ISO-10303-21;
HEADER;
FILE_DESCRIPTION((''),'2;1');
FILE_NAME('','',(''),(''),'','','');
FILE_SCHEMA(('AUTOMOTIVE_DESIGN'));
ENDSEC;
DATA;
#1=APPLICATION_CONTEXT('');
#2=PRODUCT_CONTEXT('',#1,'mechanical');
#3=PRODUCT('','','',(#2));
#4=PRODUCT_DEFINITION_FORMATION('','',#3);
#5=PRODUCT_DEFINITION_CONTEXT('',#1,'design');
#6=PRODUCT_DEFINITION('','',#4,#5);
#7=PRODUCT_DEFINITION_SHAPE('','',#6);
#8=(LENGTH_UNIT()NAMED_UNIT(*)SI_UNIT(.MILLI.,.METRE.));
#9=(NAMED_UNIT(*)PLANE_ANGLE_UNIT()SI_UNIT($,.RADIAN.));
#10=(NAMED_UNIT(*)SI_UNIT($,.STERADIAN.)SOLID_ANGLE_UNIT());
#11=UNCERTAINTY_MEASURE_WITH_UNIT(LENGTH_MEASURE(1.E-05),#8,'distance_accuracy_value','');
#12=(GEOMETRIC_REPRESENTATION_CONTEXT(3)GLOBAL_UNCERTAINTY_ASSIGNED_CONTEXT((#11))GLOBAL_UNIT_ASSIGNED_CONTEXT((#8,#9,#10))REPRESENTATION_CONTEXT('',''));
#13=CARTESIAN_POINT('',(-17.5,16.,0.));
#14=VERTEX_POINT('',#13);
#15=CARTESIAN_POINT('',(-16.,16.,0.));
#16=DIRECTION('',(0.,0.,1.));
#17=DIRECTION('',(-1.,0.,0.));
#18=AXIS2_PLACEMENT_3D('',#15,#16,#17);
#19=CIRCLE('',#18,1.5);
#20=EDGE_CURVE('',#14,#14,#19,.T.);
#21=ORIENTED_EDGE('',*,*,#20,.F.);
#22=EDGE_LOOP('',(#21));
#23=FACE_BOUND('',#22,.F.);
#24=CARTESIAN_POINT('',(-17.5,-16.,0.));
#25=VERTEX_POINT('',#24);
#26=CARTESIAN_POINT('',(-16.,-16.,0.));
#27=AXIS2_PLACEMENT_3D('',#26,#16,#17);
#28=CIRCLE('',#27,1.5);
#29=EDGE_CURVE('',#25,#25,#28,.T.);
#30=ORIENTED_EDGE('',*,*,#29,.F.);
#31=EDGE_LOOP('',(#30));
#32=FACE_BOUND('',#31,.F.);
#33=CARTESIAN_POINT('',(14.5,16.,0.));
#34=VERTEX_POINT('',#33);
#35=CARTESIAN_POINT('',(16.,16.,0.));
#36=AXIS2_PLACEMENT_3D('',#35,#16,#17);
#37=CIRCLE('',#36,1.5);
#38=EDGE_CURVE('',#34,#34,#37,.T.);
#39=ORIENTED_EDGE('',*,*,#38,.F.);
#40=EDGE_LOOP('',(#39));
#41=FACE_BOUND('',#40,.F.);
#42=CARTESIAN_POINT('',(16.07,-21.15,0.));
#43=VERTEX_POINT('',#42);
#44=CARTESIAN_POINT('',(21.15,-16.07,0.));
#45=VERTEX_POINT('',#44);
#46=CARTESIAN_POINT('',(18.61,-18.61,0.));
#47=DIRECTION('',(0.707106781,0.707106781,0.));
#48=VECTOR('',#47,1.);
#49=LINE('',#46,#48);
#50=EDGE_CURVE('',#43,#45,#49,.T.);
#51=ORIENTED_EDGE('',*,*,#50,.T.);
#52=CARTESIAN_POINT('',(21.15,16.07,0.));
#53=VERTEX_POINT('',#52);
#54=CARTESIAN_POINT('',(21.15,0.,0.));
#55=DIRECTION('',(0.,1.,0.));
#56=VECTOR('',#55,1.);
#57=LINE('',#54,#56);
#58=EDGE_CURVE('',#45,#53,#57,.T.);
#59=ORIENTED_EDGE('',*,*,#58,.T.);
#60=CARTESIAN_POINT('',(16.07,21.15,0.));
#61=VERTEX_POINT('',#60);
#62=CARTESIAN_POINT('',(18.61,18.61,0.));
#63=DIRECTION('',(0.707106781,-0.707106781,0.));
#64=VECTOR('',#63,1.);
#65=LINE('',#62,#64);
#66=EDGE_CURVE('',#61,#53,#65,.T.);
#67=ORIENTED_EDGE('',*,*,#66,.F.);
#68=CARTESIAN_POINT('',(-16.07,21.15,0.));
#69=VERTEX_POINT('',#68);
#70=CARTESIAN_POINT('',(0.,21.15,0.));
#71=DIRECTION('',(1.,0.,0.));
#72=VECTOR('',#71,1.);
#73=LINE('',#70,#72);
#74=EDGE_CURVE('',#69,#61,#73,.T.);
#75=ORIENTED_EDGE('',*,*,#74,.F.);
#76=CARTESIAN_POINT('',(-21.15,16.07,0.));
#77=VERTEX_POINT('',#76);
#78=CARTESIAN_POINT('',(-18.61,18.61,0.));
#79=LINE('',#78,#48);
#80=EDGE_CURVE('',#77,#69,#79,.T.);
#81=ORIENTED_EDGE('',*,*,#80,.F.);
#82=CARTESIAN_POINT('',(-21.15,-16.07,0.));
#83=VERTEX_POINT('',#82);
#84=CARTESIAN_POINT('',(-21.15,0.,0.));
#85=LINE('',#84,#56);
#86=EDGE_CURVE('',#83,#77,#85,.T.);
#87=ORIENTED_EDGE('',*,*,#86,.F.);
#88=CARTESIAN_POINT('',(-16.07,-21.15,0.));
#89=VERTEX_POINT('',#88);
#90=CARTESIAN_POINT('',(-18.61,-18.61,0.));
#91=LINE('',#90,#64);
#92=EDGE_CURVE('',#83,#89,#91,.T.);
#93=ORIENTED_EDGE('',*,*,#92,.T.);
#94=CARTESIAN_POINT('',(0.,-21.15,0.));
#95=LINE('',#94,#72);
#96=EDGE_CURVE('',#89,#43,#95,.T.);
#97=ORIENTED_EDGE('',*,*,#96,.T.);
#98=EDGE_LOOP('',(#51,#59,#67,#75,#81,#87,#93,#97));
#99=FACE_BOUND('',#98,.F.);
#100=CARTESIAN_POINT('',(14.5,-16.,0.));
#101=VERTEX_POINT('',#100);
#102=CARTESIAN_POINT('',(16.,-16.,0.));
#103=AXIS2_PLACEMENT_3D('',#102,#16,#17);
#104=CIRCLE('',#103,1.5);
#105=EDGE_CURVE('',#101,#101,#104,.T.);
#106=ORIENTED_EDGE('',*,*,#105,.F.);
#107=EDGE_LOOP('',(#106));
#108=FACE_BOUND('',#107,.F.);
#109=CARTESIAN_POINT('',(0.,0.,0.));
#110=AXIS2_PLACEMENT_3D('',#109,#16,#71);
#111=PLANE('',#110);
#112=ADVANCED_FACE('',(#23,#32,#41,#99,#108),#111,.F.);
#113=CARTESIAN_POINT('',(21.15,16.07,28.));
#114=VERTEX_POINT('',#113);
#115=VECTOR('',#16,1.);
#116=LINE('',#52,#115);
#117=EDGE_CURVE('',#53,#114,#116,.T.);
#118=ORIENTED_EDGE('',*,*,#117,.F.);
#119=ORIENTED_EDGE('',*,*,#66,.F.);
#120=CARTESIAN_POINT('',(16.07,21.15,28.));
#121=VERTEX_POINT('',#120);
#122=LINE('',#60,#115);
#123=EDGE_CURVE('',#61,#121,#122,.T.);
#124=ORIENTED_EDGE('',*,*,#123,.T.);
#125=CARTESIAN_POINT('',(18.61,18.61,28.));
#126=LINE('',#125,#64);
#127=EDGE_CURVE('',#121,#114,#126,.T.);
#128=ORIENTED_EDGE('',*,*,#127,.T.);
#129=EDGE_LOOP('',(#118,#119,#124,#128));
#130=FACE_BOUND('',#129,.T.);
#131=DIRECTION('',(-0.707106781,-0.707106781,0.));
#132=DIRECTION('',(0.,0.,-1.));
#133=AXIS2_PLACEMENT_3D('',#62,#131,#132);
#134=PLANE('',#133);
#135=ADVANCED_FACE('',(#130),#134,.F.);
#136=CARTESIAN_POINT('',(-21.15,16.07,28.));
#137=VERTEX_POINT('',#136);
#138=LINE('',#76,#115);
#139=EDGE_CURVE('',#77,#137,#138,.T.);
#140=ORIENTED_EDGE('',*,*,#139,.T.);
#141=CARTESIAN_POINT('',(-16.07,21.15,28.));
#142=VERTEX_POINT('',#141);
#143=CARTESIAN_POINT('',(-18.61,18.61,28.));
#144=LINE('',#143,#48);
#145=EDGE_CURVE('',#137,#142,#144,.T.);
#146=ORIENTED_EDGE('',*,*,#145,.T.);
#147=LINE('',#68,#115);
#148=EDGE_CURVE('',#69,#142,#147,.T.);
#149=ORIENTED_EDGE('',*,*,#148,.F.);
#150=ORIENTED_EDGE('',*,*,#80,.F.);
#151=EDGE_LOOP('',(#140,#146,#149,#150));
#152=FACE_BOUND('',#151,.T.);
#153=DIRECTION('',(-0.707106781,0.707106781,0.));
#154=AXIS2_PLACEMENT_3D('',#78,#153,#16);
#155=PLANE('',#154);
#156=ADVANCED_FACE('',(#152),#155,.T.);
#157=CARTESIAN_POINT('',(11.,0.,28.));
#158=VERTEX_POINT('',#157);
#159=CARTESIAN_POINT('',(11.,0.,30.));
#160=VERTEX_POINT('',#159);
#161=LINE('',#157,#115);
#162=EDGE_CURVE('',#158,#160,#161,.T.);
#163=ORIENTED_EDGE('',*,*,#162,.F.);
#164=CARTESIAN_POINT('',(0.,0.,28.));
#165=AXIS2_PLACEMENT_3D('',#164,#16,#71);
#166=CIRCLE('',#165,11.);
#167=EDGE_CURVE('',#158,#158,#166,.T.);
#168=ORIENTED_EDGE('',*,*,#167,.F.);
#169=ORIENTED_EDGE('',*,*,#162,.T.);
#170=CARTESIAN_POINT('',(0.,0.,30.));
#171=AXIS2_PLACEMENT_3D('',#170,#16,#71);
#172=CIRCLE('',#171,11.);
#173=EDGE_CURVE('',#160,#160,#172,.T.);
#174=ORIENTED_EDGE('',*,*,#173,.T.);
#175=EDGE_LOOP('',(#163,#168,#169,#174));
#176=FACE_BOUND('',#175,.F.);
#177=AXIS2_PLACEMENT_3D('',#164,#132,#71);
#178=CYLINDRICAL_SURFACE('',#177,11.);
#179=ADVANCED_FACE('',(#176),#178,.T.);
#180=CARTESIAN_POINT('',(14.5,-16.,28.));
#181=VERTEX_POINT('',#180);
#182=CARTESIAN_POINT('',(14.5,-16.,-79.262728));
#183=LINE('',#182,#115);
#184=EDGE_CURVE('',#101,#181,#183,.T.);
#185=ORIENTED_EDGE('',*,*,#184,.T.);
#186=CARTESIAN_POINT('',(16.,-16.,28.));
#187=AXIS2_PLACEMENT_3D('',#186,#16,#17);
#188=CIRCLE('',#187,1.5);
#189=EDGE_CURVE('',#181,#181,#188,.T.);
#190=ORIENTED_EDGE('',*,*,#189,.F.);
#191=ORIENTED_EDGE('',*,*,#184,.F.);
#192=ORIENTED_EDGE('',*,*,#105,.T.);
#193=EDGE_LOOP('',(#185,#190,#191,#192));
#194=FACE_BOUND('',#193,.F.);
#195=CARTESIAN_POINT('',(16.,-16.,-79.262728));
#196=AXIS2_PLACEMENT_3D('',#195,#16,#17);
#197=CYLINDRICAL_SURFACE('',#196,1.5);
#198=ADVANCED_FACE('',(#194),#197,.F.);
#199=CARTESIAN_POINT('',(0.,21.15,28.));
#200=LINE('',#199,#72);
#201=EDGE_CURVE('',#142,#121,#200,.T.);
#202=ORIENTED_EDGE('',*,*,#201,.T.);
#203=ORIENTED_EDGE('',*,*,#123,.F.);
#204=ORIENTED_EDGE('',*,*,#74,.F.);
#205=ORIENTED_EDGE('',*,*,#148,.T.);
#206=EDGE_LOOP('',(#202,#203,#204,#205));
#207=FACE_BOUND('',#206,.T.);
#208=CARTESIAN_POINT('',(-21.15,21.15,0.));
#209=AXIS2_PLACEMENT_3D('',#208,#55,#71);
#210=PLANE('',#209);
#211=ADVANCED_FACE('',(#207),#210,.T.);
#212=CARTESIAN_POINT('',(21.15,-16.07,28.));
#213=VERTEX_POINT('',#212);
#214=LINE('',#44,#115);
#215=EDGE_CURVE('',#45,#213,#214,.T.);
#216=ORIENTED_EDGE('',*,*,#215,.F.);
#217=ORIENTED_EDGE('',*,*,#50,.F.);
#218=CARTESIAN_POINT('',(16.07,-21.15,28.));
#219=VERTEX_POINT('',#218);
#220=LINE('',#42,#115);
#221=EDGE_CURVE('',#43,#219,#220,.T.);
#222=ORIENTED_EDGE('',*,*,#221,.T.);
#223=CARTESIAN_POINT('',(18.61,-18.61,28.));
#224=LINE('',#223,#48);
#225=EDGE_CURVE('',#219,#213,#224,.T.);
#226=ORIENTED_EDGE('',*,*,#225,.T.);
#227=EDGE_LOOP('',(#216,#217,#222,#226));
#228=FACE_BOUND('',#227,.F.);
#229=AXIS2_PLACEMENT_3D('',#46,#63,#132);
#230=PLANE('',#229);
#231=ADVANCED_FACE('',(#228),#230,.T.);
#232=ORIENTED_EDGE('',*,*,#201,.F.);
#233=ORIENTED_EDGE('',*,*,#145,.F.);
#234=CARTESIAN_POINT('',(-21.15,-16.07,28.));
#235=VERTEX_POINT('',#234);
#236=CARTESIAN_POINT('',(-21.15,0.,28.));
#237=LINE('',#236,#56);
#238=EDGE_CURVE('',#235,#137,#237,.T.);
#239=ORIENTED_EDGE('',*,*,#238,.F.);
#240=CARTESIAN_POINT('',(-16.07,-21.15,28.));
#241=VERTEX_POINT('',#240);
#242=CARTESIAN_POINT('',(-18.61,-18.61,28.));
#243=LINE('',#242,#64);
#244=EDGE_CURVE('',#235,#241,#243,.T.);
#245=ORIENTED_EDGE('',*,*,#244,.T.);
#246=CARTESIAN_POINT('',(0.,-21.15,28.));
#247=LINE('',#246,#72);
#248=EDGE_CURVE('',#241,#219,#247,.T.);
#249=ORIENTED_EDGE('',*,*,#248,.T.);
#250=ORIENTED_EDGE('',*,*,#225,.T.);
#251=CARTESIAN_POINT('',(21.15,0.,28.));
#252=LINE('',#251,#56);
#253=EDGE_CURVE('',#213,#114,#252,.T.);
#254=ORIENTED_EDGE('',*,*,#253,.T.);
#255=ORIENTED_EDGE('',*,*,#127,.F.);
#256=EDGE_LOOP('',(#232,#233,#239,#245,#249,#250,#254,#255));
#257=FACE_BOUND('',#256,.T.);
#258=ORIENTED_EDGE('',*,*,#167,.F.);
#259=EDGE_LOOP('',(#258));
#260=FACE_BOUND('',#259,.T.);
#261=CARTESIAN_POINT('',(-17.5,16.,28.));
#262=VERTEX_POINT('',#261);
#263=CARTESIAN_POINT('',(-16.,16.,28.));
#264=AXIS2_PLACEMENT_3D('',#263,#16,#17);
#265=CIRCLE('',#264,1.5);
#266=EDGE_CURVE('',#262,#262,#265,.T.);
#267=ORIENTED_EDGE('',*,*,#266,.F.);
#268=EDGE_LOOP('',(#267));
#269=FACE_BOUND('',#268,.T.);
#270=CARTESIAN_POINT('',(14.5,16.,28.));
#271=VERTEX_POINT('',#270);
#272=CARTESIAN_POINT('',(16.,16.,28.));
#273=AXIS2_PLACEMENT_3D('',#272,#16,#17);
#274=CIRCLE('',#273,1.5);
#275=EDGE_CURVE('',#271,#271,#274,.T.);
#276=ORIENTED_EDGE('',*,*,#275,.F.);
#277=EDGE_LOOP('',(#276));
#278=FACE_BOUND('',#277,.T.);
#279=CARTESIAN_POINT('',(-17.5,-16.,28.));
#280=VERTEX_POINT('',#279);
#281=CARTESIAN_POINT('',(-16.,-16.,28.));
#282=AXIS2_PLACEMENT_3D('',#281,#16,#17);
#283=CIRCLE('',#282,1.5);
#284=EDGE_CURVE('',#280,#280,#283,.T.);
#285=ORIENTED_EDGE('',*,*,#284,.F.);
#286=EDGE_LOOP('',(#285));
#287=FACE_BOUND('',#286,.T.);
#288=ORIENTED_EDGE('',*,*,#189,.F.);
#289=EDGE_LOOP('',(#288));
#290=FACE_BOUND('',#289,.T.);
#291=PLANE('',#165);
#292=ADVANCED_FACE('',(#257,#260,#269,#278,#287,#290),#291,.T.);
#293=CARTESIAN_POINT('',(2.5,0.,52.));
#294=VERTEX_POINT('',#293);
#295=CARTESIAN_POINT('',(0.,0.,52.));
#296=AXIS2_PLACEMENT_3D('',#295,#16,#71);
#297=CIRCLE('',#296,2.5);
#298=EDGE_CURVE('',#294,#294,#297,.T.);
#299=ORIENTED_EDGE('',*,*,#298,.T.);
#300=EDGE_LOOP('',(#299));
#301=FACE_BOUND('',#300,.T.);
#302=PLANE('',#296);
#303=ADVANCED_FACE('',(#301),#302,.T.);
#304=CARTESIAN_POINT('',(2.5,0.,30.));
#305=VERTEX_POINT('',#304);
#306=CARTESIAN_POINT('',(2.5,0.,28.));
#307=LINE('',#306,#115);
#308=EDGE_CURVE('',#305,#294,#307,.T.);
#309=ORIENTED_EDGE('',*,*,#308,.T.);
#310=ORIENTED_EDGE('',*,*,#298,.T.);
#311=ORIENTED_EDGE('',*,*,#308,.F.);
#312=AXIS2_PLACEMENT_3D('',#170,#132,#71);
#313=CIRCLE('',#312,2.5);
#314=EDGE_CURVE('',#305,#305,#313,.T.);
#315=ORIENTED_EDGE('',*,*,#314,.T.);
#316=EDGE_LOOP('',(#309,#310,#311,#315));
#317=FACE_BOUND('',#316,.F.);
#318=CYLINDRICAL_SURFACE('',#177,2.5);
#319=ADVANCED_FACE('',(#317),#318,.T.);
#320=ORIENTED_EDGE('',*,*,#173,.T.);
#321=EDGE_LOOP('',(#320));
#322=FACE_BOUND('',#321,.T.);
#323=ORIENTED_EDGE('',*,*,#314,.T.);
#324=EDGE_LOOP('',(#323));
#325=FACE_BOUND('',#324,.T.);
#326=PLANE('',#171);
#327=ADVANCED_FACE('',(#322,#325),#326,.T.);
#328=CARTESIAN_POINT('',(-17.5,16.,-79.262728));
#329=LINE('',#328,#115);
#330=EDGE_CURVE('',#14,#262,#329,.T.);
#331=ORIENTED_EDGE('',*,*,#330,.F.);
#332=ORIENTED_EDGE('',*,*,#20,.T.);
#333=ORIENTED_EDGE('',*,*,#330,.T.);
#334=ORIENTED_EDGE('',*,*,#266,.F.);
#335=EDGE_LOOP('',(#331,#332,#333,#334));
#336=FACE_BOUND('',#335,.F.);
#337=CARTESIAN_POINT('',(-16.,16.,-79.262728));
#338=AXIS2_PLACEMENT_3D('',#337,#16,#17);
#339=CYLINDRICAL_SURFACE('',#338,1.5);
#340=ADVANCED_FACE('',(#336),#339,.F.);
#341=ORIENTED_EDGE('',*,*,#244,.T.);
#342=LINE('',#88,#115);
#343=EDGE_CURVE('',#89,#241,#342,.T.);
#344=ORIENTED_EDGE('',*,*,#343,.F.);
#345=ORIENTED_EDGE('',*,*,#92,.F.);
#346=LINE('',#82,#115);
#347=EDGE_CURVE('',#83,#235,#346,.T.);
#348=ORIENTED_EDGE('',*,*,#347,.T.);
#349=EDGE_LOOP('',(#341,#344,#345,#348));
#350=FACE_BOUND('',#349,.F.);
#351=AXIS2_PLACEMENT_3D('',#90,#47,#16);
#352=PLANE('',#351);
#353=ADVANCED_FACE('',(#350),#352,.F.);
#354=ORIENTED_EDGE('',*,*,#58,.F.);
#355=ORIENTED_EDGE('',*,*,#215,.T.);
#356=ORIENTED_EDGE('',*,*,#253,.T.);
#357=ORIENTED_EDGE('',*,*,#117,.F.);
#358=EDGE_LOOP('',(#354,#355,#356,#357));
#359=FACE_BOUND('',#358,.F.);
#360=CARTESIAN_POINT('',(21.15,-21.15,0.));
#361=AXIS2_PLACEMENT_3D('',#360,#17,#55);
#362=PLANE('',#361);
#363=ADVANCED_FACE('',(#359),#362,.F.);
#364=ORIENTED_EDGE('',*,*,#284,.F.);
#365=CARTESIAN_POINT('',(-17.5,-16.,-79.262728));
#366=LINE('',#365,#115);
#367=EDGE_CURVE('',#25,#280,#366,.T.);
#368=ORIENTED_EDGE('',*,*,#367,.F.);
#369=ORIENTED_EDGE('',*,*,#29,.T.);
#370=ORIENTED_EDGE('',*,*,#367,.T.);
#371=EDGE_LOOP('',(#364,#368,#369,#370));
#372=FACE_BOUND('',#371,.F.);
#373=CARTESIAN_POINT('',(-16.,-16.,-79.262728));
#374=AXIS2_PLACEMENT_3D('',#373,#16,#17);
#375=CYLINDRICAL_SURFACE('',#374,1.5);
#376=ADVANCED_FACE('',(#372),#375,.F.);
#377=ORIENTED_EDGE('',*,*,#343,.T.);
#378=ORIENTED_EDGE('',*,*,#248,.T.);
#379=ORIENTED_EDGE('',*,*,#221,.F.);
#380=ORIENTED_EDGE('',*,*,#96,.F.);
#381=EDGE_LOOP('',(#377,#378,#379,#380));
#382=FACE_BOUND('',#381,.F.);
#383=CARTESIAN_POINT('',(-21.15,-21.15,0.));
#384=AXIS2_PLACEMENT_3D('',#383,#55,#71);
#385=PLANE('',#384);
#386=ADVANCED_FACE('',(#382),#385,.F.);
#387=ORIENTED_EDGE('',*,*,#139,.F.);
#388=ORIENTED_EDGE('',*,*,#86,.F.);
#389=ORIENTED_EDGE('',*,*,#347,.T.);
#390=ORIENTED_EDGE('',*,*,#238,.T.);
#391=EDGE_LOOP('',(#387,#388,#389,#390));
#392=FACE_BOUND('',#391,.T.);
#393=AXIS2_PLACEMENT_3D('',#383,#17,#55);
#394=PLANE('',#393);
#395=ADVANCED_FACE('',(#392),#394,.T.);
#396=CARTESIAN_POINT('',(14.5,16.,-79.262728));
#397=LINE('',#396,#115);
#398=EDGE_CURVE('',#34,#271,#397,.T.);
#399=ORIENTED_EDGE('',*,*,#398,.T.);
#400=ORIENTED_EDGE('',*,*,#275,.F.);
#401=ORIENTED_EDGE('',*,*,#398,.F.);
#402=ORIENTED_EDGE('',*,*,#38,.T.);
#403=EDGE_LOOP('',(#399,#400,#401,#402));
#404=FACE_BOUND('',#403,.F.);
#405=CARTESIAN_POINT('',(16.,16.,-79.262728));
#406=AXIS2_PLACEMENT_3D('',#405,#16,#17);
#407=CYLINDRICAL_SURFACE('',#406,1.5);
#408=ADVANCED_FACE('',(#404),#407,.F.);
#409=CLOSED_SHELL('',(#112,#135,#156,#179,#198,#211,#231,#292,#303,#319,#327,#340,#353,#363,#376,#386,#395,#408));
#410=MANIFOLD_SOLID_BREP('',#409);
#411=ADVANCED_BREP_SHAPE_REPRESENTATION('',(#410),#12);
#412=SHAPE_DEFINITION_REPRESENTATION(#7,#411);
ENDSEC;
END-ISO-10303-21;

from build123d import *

# Parameters (mm, degrees)
F0_W     = 42.3
F0_H     = 42.3
F1_DEPTH = 28
F2_R     = 11
F3_DEPTH = 2
F4_R     = 2.5
F5_DEPTH = 24
F7_D     = 3
F8_SIZE  = 5.08


with BuildPart() as f1:
    # F0 (on Top) → F1 (new body)
    with BuildSketch(Plane.XY):
        Rectangle(F0_W, F0_H)
    extrude(amount=F1_DEPTH)

    # F2 (on face) → F3 (join)
    with BuildSketch(Plane.XY.offset(28)):
        Circle(F2_R)
    extrude(amount=F3_DEPTH)

    # F4 (on face) → F5 (join)
    with BuildSketch(Plane.XY.offset(28)):
        Circle(F4_R)
    extrude(amount=F5_DEPTH)

    # F7 (through all)
    with Locations(Plane(origin=(0, 0, 0), x_dir=(1, 0, 0), z_dir=(0, 0, -1))):
        with Locations((-16, 16), (16, 16), (-16, -16), (16, -16)):
            Hole(F7_D / 2)

    # F8
    f8_edges = [f1.edges().sort_by_distance(p)[0] for p in [
        (-21.15, -21.15, 14),
        (21.15, -21.15, 14),
        (21.15, 21.15, 14),
        (-21.15, 21.15, 14),
    ]]
    chamfer(f8_edges, length=F8_SIZE)


solid = f1.part
